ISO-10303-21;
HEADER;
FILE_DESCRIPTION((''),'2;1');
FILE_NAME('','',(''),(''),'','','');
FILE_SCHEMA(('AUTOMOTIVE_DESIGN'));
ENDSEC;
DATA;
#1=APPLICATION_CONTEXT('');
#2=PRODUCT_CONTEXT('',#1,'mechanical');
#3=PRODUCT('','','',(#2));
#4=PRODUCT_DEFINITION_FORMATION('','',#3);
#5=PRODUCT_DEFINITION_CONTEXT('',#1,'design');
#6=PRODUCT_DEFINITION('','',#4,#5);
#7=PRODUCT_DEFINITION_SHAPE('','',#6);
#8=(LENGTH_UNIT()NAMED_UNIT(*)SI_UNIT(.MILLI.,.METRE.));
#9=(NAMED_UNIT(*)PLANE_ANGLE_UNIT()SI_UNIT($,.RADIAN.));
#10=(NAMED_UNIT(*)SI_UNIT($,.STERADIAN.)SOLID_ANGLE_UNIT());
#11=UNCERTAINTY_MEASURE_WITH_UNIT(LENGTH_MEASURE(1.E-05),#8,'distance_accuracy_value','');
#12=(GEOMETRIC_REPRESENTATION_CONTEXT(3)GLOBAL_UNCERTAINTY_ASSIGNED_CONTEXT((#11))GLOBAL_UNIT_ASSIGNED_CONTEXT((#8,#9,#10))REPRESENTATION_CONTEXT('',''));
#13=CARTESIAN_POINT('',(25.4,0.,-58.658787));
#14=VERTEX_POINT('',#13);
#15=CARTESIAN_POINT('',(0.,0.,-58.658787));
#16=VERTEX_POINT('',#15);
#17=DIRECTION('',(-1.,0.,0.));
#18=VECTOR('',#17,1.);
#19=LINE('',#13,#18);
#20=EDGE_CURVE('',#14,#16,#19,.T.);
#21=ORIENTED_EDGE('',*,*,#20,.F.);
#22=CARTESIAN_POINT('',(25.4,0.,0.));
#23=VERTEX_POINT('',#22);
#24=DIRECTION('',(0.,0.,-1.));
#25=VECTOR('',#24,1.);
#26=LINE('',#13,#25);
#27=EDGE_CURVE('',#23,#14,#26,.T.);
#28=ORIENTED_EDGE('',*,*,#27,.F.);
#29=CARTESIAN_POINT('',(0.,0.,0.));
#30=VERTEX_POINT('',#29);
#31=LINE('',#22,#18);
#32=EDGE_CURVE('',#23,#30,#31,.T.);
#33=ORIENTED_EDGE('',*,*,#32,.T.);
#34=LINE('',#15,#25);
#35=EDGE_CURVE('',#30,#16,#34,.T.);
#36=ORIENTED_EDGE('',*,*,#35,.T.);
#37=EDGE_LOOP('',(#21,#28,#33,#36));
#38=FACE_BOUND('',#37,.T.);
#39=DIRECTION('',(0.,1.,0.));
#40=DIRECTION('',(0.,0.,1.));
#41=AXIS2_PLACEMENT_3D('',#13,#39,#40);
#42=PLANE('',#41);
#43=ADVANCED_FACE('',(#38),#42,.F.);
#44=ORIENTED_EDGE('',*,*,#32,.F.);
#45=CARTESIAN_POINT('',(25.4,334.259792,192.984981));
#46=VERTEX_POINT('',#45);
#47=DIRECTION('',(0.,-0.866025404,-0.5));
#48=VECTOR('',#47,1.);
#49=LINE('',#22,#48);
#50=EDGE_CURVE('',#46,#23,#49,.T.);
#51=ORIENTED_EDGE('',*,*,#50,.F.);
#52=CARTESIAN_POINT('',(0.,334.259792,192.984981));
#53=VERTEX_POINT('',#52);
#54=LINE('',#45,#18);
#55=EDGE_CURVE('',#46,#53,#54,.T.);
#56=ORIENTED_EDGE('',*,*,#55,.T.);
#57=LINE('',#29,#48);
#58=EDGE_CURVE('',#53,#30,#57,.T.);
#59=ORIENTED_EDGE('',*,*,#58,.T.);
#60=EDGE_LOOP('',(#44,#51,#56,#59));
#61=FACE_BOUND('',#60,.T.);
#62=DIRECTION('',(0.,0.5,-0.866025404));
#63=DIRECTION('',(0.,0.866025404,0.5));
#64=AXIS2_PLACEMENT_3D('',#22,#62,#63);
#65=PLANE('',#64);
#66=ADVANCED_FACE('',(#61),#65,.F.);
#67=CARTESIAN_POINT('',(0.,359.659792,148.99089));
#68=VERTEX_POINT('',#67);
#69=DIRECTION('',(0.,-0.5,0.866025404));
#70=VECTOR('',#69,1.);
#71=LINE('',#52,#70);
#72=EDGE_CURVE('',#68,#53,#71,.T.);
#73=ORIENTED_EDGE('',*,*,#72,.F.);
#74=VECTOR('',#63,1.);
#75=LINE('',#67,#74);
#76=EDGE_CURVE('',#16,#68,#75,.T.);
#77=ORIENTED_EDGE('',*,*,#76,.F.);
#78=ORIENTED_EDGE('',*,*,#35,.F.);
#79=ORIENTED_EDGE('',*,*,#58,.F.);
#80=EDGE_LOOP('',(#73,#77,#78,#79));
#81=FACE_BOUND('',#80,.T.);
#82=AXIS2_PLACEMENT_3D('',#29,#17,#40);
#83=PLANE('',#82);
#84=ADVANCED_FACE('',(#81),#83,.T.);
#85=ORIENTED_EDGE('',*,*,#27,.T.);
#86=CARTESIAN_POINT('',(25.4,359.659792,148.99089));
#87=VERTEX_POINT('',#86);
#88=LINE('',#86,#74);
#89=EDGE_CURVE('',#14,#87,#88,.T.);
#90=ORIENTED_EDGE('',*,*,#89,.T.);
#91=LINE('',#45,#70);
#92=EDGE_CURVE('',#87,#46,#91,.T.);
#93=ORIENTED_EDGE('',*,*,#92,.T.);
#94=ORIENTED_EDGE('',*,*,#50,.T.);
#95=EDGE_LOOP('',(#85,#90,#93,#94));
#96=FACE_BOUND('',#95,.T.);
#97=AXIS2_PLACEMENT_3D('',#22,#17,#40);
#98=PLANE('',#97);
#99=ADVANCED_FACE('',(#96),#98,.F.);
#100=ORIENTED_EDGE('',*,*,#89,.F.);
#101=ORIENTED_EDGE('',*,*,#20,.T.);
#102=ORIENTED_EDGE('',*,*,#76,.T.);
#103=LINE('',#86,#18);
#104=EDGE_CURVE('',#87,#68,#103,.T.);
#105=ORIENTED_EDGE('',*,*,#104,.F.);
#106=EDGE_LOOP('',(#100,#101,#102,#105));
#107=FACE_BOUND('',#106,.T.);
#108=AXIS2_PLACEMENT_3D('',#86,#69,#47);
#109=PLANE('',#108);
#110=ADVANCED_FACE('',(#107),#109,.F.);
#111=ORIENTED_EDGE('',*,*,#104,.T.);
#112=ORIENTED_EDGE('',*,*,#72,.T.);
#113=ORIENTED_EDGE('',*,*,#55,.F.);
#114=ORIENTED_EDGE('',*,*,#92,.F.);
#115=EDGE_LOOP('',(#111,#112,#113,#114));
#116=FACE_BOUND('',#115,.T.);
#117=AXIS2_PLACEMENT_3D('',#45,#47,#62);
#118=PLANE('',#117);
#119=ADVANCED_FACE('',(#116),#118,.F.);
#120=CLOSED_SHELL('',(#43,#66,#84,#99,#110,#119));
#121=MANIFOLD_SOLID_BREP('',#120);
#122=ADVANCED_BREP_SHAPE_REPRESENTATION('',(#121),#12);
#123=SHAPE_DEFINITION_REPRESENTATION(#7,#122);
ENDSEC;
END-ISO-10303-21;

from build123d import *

# Parameters (mm, degrees)
BOSS_EXTRUDE1_DEPTH = 25.4


with BuildPart() as part:
    # Sketch2 → Boss-Extrude1 (new body)
    with BuildSketch(Plane(origin=(0, 0, 0), x_dir=(0, 0, -1), z_dir=(1, 0, 0))):
        Polygon((0, 0), (-192.984980678, 334.259791632), (-148.990890165, 359.659791632), (58.65878735, 0), align=None)
    extrude(amount=BOSS_EXTRUDE1_DEPTH)


solid = part.part
